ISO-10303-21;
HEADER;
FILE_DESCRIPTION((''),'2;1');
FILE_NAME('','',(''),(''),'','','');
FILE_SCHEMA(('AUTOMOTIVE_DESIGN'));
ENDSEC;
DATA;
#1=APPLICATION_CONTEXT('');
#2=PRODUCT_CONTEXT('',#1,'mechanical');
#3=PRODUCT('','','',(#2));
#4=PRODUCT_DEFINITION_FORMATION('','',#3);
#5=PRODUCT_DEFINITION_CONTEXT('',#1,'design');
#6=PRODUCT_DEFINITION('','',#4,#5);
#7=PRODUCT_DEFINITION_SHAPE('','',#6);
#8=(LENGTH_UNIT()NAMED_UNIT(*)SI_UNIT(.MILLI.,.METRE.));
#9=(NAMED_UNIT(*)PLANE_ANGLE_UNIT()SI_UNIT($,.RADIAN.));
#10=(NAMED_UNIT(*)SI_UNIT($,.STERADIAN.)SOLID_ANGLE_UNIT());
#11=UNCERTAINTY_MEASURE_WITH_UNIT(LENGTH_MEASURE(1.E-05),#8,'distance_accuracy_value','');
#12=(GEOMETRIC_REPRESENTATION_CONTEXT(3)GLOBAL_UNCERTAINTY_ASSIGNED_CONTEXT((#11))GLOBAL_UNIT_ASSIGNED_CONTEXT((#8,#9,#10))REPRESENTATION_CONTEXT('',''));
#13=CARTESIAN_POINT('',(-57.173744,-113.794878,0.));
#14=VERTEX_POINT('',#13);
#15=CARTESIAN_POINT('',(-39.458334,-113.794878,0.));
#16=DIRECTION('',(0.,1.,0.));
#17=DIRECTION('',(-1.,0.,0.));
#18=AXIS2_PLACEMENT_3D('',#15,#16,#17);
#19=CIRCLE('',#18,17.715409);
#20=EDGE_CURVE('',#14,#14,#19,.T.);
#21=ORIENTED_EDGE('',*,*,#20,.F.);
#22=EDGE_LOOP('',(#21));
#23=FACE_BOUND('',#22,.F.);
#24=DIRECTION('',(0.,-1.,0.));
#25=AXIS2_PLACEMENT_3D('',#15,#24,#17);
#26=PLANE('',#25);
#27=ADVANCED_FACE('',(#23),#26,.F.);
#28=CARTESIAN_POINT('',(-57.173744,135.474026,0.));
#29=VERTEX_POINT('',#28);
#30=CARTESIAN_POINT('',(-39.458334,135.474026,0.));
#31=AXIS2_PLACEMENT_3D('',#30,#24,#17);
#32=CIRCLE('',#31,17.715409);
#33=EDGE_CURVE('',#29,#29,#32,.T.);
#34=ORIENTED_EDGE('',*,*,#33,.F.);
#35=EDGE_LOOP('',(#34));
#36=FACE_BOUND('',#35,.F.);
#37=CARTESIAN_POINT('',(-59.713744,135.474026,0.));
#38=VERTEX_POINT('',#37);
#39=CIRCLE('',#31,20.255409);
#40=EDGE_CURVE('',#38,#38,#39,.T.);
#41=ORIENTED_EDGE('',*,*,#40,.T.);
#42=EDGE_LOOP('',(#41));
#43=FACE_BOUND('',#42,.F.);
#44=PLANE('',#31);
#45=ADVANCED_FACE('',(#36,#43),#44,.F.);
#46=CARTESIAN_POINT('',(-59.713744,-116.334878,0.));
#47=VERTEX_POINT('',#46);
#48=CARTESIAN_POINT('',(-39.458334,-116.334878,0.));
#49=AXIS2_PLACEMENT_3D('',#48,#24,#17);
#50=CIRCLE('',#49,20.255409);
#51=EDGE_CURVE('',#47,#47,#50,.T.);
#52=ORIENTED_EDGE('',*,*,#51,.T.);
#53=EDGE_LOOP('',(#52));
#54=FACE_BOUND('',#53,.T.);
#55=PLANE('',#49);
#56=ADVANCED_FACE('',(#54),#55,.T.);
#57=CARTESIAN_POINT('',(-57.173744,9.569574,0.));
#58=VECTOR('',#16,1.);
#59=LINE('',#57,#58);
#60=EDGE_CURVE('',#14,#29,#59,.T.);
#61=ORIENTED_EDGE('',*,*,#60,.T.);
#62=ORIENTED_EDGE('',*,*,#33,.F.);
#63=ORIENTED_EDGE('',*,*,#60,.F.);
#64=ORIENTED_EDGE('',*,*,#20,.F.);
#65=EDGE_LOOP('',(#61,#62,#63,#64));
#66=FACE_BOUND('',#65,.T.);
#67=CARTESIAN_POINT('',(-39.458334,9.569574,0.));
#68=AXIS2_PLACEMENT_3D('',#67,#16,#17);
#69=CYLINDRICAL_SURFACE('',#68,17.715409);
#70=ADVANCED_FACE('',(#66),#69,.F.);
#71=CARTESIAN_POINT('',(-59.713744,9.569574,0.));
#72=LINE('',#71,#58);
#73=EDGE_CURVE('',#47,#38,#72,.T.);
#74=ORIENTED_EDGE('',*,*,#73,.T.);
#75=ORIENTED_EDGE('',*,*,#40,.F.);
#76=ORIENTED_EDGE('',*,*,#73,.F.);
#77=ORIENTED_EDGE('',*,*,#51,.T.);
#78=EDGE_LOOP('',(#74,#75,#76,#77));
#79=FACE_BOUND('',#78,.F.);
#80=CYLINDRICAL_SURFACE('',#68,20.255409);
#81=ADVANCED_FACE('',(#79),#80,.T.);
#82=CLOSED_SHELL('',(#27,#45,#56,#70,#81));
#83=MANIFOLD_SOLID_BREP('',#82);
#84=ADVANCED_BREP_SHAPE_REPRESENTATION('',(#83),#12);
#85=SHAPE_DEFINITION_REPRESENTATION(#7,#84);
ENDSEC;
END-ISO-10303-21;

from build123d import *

# Parameters (mm, degrees)
F0_W = 20.2554091811
F0_H = 251.8089041114
F2_T = -2.54


with BuildPart() as f1:
    # F0 (on Top) → F1 (revolve)
    with BuildSketch(Plane.XY):
        with Locations((-49.5860390365, 9.5695741475)):
            Rectangle(F0_W, F0_H)
    revolve(axis=Axis((-39.458334446, 9.5695741475, 0), (0, -1, 0)))

    # F2
    f2_openings = [f1.faces().sort_by_distance(p)[0] for p in [
        (-39.458334, 135.474026, 0),
    ]]
    offset(amount=F2_T, openings=f2_openings)


solid = f1.part
